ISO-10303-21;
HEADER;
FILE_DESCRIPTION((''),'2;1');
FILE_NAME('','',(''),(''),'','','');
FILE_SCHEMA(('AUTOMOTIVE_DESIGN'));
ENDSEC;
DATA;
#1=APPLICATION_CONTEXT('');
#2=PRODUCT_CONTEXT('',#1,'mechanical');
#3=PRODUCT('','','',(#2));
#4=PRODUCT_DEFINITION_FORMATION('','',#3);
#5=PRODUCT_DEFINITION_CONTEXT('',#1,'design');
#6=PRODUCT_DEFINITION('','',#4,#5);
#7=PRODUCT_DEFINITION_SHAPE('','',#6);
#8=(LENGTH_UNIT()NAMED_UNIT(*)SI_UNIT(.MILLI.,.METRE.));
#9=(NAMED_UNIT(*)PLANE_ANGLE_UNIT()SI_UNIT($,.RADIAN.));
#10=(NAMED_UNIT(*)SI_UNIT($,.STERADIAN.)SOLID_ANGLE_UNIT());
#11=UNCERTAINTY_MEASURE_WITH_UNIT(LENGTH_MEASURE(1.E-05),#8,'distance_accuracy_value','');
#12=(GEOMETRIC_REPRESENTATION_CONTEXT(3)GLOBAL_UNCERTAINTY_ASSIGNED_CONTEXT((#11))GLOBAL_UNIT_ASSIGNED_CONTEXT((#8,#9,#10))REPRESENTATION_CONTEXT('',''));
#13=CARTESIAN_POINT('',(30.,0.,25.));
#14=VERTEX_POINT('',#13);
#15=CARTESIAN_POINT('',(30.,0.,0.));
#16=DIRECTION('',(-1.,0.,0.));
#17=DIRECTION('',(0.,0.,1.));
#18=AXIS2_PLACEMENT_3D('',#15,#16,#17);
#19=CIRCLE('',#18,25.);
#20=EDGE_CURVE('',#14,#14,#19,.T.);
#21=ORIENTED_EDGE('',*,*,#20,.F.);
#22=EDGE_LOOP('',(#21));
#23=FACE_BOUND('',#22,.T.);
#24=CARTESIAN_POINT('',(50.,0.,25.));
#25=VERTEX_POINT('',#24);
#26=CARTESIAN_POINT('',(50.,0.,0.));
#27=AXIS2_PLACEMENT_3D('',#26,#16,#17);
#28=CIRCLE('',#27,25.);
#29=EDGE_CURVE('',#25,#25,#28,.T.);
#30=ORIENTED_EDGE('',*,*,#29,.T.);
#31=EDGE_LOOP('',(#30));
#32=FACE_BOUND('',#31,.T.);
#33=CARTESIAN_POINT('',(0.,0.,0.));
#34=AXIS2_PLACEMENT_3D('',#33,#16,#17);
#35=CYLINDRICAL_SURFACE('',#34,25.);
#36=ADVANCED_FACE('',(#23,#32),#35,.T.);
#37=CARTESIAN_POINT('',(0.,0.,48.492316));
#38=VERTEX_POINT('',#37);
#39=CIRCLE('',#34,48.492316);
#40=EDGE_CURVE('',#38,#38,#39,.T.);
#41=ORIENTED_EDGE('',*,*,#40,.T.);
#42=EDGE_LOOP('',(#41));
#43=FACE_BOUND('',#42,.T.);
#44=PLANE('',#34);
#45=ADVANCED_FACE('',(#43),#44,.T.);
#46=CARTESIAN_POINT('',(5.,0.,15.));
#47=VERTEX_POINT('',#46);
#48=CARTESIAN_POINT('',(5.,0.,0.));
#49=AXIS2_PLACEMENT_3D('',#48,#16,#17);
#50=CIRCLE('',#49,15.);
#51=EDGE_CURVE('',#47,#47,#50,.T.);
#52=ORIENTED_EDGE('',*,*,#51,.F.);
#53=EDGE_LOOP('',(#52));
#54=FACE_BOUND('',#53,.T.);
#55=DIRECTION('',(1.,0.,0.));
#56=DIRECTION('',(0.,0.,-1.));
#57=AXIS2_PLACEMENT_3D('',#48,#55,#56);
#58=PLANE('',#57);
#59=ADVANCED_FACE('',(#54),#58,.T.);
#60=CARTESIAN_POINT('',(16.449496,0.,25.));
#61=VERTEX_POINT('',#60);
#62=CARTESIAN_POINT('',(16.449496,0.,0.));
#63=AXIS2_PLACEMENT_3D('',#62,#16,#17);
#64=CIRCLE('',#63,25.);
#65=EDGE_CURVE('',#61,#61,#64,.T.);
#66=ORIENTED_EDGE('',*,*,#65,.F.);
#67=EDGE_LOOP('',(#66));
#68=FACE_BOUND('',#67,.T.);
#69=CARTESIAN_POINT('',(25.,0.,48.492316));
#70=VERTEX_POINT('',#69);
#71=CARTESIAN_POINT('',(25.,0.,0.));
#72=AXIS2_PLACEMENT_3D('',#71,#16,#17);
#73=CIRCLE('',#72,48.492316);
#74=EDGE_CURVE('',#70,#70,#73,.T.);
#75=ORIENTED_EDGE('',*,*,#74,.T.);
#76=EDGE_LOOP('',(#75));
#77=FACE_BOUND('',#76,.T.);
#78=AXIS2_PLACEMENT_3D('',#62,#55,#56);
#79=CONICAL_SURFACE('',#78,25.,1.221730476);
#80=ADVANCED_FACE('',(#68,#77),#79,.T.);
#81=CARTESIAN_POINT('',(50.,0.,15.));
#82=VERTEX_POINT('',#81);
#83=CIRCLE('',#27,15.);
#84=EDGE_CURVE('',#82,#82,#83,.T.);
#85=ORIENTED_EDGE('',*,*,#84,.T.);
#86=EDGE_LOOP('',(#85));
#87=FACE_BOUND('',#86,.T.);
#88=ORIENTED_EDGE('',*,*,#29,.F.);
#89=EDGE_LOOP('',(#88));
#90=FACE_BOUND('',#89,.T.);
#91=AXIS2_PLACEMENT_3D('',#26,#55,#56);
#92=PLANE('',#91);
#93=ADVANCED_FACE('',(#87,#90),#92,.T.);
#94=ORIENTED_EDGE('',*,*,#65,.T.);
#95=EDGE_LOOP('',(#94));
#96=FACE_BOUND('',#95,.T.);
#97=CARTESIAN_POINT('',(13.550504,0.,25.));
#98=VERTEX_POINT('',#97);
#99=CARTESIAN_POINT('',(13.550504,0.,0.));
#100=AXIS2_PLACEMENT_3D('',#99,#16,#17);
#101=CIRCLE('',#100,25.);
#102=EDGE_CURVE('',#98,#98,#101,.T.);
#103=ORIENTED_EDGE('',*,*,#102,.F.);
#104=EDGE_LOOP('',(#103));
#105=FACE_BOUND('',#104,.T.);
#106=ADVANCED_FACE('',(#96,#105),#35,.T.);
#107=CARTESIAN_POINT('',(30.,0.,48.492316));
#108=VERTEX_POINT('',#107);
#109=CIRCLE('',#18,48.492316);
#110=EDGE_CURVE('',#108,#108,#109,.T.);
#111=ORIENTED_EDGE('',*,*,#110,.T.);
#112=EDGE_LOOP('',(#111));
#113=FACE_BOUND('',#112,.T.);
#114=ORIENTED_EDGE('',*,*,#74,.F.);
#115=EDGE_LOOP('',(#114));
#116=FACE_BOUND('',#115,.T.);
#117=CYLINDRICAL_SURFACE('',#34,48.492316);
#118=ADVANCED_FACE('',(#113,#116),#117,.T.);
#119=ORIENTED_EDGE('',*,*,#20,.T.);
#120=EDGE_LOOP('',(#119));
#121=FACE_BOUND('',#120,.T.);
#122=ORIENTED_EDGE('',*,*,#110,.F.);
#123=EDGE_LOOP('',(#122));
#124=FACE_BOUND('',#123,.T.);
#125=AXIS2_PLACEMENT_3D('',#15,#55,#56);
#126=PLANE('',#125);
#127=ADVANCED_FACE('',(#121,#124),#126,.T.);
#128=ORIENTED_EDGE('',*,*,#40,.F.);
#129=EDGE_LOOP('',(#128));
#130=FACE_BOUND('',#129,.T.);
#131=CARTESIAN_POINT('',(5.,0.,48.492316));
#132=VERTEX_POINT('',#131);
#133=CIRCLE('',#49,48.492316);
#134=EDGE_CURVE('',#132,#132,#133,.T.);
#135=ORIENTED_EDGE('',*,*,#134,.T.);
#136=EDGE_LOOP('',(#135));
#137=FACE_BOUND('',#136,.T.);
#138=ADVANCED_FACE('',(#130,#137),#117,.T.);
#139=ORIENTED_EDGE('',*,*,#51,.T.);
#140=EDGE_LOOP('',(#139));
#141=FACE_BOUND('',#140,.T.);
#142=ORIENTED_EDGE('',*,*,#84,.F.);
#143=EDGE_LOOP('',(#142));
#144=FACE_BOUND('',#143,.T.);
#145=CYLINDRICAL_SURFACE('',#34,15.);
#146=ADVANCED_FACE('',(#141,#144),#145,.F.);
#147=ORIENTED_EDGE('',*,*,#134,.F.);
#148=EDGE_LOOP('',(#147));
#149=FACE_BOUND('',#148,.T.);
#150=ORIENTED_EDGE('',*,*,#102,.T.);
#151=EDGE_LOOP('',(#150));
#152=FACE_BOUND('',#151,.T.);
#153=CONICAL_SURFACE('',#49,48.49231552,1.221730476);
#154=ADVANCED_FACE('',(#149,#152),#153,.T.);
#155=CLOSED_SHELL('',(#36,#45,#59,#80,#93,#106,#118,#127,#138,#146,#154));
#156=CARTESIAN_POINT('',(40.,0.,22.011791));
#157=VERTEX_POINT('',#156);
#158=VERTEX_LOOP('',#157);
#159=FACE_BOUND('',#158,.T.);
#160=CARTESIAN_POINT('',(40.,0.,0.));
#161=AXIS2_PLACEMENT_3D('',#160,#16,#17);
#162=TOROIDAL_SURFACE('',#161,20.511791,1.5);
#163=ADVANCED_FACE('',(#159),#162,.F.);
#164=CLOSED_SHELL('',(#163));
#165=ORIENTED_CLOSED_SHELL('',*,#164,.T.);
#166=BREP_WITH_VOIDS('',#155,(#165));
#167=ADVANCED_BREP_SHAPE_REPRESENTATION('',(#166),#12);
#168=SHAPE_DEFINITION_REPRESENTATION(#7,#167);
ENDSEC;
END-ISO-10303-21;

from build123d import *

# Parameters (mm, degrees)
SKETCH1_W = 8.257122183
SKETCH1_H = 10
SKETCH1_R = 1.5


with BuildPart() as part:
    # Sketch1 → Revolve10 (revolve)
    with BuildSketch(Plane(origin=(0, 0, 0), x_dir=(1, 0, 0), z_dir=(0, 1, 0)), mode=Mode.PRIVATE) as revolve10_sk:
        Polygon((0, 48.49231552), (0, 0), (5, 0), (5, 15), (38.242877817, 15), (38.242877817, 25), (30, 25), (30, 48.49231552), (25, 48.49231552), (16.449496417, 25), (13.550503583, 25), (5, 48.49231552), align=None)
        with Locations((45.871438908, 20)):
            Rectangle(SKETCH1_W, SKETCH1_H)
        Polygon((38.242877817, 25), (38.242877817, 15), (39.242877817, 15), (40.742877817, 15), (41.742877817, 15), (41.742877817, 25), (40.75, 25), (40.742877817, 25), (39.25, 25), (39.242877817, 25), align=None)
        with Locations((40, 20.511791121)):
            Circle(SKETCH1_R, mode=Mode.SUBTRACT)
    revolve(revolve10_sk.sketch.rotate(Axis((0, 0, 0), (1, 0, 0)), 180), axis=Axis((0, 0, 0), (1, 0, 0)))


solid = part.part
